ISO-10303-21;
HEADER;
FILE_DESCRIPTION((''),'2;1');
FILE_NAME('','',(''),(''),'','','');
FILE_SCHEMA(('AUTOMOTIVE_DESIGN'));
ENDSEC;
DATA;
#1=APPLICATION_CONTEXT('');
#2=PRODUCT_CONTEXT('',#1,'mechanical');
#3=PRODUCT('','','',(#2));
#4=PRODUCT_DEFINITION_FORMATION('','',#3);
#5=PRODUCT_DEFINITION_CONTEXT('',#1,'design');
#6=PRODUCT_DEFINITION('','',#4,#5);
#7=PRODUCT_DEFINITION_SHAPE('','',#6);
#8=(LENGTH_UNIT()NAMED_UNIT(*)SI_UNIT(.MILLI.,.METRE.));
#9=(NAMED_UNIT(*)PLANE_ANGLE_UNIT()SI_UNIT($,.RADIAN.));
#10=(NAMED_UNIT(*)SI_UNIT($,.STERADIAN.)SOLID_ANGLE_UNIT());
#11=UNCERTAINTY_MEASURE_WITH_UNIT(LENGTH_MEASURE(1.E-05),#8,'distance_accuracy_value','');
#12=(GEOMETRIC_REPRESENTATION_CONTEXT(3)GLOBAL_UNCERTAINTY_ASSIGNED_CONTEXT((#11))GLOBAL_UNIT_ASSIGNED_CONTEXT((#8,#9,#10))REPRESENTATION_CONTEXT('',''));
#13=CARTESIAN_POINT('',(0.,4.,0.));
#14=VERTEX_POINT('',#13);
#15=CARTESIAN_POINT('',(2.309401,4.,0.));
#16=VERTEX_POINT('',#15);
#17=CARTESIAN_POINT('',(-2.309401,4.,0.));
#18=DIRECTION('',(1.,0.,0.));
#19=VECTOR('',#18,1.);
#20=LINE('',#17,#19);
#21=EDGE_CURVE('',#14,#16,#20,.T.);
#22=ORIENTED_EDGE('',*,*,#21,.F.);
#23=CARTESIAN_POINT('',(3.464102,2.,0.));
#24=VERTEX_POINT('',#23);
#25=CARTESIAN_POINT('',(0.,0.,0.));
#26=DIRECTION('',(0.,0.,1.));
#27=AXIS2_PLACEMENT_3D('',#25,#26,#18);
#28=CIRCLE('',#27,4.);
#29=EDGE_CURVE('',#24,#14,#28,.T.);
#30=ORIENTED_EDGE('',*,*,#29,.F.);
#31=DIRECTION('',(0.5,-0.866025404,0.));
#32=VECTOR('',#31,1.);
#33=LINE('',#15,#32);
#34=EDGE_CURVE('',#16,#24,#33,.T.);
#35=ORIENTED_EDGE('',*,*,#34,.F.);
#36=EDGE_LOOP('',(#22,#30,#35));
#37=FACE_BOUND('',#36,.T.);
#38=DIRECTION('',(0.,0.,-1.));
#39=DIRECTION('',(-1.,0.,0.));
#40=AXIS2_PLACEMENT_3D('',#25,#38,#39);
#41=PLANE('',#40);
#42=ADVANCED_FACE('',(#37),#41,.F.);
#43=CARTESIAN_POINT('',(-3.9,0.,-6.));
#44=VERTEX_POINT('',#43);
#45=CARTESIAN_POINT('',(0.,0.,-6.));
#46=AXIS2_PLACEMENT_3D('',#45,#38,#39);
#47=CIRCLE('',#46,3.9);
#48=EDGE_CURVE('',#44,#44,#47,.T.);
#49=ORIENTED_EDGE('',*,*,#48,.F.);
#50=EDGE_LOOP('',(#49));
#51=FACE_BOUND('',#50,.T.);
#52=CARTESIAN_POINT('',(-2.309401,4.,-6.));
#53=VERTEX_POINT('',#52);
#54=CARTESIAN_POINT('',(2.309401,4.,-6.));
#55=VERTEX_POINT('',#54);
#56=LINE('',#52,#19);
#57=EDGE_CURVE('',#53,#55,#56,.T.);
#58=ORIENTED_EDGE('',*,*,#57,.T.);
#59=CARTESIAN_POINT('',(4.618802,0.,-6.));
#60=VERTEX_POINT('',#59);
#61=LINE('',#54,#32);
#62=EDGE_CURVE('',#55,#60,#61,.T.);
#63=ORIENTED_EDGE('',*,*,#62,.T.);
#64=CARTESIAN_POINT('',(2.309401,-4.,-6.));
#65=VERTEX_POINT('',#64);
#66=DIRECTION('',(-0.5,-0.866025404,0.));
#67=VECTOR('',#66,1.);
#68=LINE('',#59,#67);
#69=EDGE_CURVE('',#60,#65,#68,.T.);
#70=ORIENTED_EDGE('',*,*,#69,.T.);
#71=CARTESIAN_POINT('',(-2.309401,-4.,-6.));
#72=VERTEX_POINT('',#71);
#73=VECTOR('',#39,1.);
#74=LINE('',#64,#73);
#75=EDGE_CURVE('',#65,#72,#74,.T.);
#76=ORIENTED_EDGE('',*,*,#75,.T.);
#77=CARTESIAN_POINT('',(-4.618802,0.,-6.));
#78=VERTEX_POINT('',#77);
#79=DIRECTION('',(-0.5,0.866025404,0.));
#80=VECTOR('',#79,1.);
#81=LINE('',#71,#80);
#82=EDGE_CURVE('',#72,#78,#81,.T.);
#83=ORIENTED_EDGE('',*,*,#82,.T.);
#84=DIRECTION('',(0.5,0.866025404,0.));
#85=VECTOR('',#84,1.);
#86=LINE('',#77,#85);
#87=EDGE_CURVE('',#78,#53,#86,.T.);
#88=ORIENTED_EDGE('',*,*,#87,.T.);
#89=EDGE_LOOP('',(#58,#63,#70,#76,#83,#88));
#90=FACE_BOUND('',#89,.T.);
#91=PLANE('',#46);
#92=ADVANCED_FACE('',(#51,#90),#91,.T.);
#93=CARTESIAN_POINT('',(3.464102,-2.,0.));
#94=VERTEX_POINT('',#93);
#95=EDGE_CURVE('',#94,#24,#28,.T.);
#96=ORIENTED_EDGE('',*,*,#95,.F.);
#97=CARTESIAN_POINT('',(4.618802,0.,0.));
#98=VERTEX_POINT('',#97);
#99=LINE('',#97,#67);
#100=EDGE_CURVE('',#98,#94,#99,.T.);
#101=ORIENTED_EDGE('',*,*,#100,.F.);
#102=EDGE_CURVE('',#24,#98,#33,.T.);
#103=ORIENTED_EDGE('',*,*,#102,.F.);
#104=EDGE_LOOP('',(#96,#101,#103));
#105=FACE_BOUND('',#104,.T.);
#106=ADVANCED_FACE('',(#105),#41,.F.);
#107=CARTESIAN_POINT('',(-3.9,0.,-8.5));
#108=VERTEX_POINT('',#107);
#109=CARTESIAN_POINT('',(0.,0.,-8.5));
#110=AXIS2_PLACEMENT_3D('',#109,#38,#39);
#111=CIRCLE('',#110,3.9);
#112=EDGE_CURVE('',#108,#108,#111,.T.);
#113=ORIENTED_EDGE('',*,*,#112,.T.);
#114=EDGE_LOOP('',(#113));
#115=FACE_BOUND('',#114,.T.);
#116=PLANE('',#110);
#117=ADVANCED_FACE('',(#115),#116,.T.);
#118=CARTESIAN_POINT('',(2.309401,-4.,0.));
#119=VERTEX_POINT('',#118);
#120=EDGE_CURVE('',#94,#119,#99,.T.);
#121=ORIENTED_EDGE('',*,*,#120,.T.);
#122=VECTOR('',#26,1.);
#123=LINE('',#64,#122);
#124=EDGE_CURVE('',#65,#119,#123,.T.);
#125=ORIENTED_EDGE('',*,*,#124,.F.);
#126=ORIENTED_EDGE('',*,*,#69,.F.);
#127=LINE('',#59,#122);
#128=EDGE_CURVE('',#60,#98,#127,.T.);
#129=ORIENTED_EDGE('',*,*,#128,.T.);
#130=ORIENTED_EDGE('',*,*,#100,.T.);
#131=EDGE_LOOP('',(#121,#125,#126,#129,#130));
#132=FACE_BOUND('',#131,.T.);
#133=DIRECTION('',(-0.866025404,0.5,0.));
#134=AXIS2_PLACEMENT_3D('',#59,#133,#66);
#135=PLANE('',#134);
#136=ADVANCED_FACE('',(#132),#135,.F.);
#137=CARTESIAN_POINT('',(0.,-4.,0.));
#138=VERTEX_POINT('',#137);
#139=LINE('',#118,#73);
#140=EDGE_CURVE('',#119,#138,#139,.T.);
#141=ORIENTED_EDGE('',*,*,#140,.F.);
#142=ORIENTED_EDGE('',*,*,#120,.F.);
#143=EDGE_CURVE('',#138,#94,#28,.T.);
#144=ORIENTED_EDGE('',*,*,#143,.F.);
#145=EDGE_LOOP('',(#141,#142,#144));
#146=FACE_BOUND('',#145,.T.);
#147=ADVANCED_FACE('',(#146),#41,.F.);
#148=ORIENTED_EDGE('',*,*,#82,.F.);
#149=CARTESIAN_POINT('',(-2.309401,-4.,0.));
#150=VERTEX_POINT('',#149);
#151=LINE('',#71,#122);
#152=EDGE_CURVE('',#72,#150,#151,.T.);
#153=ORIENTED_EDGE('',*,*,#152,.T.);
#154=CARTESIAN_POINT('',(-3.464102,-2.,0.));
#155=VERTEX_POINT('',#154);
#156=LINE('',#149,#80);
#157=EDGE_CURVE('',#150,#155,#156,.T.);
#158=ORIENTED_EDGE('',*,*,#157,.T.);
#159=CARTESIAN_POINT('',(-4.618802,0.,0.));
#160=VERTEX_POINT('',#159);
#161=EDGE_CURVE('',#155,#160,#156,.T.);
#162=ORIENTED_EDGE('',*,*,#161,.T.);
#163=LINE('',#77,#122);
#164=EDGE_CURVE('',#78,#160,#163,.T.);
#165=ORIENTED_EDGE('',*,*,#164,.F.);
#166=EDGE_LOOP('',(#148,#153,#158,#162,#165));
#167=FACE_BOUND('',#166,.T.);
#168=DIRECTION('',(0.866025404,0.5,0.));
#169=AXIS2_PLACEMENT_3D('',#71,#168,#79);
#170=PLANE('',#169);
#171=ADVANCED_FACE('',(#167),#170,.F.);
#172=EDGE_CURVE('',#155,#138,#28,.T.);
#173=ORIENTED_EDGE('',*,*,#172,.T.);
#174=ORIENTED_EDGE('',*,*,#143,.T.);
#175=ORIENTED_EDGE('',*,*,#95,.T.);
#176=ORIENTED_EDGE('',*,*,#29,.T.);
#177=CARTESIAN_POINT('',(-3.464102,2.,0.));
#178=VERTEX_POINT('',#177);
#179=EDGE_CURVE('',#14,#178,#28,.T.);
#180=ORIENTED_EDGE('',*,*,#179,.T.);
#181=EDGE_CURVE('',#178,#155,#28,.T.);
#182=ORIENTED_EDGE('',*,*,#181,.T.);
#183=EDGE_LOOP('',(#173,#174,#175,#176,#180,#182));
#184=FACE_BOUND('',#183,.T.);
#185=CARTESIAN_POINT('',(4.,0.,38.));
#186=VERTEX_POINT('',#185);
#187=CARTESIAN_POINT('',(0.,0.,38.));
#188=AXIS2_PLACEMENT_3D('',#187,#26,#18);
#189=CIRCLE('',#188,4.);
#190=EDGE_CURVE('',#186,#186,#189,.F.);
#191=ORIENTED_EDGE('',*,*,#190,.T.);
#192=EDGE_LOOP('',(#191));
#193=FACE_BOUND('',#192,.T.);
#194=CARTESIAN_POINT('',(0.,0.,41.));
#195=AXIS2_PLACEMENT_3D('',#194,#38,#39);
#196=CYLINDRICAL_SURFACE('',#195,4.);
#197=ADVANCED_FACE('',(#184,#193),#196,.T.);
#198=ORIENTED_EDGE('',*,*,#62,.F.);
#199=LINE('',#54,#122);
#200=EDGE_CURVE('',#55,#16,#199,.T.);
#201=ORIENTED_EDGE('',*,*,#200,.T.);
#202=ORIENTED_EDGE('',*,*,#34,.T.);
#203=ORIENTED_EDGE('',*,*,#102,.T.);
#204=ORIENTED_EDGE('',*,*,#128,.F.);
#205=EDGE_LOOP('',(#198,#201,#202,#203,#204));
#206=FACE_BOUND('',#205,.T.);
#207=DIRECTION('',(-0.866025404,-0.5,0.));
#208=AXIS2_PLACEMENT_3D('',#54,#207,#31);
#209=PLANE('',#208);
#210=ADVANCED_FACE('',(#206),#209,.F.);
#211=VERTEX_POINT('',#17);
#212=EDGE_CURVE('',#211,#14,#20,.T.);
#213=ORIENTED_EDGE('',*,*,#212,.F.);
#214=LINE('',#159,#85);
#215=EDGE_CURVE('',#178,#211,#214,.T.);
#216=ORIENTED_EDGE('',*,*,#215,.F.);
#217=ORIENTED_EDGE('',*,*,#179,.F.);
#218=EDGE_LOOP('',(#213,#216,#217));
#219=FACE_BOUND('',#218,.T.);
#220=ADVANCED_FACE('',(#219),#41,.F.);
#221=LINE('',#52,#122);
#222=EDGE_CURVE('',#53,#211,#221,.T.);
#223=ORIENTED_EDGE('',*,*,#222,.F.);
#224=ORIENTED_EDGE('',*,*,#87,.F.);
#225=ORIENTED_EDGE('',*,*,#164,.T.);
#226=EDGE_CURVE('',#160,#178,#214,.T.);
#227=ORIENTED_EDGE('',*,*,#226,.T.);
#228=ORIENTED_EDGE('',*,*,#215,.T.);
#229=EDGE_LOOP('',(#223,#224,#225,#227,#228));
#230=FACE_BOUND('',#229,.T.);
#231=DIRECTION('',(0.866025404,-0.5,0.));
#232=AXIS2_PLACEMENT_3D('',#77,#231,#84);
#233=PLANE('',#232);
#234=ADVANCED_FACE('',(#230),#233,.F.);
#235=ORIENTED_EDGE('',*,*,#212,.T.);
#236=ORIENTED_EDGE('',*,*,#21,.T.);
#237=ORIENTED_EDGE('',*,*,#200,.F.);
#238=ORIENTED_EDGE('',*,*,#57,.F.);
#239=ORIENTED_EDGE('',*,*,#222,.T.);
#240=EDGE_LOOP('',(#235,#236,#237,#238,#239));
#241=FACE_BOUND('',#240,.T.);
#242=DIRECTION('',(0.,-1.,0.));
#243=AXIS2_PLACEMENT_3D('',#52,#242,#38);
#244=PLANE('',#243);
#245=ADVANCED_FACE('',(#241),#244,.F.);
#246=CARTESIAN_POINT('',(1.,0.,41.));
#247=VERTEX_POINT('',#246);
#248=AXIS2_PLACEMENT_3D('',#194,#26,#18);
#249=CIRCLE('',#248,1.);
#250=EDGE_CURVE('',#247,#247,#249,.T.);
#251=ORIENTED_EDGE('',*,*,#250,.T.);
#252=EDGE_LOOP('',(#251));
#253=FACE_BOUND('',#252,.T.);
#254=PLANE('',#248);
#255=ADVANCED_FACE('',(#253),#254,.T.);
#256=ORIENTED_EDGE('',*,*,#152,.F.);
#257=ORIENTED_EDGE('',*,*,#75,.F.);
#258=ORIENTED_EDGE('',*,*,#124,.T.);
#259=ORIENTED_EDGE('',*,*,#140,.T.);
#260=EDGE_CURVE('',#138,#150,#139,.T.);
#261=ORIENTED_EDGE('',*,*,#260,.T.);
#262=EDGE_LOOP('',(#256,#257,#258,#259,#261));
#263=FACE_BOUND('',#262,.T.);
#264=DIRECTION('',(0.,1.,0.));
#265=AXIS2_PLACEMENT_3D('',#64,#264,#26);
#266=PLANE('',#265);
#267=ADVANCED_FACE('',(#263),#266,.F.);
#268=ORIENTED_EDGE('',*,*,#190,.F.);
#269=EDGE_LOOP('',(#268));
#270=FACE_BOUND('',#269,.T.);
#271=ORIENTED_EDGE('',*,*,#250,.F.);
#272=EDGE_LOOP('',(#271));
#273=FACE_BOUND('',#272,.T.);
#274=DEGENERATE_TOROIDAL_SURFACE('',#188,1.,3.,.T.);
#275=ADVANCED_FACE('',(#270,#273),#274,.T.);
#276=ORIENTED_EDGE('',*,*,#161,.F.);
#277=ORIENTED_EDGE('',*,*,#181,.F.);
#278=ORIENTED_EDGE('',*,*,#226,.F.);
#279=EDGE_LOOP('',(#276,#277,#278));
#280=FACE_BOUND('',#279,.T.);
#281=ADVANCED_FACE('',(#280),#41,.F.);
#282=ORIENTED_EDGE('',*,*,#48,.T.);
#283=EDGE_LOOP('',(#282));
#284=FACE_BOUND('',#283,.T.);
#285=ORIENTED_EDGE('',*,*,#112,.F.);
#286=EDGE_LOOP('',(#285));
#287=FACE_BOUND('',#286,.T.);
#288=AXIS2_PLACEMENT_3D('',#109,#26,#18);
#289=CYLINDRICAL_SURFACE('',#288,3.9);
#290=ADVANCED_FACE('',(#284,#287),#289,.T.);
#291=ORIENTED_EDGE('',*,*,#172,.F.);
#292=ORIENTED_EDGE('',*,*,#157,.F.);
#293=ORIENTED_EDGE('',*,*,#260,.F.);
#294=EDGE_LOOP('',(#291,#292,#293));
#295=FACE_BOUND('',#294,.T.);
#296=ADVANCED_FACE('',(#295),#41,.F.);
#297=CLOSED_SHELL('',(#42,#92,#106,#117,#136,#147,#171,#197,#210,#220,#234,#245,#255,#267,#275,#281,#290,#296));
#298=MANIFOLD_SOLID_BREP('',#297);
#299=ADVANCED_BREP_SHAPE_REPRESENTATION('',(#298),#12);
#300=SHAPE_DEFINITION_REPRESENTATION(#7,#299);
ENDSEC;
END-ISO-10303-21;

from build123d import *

# Parameters (mm, degrees)
CROQUIS1_R              = 4
SALIENTE_EXTRUIR1_DEPTH = 41
SALIENTE_EXTRUIR2_DEPTH = 6
CROQUIS3_R              = 3.9
SALIENTE_EXTRUIR3_DEPTH = 2.5
REDONDEO1_R             = 3


with BuildPart() as part:
    # Croquis1 → Saliente-Extruir1 (new body)
    with BuildSketch(Plane.XY):
        Circle(CROQUIS1_R)
    extrude(amount=SALIENTE_EXTRUIR1_DEPTH)

    # Croquis2 → Saliente-Extruir2 (add)
    with BuildSketch(Plane(origin=(0, 0, 0), x_dir=(-1, 0, 0), z_dir=(0, 0, -1))):
        Polygon((-2.309401077, 4), (-4.618802154, 0), (-2.309401077, -4), (2.309401077, -4), (4.618802154, 0), (2.309401077, 4), align=None)
    extrude(amount=SALIENTE_EXTRUIR2_DEPTH)

    # Croquis3 → Saliente-Extruir3 (add)
    with BuildSketch(Plane(origin=(0, 0, -6), x_dir=(-1, 0, 0), z_dir=(0, 0, -1))):
        Circle(CROQUIS3_R)
    extrude(amount=SALIENTE_EXTRUIR3_DEPTH)

    # Redondeo1
    redondeo1_edges = [part.edges().sort_by_distance(p)[0] for p in [
        (-4, 0, 41),
    ]]
    fillet(redondeo1_edges, radius=REDONDEO1_R)


solid = part.part
